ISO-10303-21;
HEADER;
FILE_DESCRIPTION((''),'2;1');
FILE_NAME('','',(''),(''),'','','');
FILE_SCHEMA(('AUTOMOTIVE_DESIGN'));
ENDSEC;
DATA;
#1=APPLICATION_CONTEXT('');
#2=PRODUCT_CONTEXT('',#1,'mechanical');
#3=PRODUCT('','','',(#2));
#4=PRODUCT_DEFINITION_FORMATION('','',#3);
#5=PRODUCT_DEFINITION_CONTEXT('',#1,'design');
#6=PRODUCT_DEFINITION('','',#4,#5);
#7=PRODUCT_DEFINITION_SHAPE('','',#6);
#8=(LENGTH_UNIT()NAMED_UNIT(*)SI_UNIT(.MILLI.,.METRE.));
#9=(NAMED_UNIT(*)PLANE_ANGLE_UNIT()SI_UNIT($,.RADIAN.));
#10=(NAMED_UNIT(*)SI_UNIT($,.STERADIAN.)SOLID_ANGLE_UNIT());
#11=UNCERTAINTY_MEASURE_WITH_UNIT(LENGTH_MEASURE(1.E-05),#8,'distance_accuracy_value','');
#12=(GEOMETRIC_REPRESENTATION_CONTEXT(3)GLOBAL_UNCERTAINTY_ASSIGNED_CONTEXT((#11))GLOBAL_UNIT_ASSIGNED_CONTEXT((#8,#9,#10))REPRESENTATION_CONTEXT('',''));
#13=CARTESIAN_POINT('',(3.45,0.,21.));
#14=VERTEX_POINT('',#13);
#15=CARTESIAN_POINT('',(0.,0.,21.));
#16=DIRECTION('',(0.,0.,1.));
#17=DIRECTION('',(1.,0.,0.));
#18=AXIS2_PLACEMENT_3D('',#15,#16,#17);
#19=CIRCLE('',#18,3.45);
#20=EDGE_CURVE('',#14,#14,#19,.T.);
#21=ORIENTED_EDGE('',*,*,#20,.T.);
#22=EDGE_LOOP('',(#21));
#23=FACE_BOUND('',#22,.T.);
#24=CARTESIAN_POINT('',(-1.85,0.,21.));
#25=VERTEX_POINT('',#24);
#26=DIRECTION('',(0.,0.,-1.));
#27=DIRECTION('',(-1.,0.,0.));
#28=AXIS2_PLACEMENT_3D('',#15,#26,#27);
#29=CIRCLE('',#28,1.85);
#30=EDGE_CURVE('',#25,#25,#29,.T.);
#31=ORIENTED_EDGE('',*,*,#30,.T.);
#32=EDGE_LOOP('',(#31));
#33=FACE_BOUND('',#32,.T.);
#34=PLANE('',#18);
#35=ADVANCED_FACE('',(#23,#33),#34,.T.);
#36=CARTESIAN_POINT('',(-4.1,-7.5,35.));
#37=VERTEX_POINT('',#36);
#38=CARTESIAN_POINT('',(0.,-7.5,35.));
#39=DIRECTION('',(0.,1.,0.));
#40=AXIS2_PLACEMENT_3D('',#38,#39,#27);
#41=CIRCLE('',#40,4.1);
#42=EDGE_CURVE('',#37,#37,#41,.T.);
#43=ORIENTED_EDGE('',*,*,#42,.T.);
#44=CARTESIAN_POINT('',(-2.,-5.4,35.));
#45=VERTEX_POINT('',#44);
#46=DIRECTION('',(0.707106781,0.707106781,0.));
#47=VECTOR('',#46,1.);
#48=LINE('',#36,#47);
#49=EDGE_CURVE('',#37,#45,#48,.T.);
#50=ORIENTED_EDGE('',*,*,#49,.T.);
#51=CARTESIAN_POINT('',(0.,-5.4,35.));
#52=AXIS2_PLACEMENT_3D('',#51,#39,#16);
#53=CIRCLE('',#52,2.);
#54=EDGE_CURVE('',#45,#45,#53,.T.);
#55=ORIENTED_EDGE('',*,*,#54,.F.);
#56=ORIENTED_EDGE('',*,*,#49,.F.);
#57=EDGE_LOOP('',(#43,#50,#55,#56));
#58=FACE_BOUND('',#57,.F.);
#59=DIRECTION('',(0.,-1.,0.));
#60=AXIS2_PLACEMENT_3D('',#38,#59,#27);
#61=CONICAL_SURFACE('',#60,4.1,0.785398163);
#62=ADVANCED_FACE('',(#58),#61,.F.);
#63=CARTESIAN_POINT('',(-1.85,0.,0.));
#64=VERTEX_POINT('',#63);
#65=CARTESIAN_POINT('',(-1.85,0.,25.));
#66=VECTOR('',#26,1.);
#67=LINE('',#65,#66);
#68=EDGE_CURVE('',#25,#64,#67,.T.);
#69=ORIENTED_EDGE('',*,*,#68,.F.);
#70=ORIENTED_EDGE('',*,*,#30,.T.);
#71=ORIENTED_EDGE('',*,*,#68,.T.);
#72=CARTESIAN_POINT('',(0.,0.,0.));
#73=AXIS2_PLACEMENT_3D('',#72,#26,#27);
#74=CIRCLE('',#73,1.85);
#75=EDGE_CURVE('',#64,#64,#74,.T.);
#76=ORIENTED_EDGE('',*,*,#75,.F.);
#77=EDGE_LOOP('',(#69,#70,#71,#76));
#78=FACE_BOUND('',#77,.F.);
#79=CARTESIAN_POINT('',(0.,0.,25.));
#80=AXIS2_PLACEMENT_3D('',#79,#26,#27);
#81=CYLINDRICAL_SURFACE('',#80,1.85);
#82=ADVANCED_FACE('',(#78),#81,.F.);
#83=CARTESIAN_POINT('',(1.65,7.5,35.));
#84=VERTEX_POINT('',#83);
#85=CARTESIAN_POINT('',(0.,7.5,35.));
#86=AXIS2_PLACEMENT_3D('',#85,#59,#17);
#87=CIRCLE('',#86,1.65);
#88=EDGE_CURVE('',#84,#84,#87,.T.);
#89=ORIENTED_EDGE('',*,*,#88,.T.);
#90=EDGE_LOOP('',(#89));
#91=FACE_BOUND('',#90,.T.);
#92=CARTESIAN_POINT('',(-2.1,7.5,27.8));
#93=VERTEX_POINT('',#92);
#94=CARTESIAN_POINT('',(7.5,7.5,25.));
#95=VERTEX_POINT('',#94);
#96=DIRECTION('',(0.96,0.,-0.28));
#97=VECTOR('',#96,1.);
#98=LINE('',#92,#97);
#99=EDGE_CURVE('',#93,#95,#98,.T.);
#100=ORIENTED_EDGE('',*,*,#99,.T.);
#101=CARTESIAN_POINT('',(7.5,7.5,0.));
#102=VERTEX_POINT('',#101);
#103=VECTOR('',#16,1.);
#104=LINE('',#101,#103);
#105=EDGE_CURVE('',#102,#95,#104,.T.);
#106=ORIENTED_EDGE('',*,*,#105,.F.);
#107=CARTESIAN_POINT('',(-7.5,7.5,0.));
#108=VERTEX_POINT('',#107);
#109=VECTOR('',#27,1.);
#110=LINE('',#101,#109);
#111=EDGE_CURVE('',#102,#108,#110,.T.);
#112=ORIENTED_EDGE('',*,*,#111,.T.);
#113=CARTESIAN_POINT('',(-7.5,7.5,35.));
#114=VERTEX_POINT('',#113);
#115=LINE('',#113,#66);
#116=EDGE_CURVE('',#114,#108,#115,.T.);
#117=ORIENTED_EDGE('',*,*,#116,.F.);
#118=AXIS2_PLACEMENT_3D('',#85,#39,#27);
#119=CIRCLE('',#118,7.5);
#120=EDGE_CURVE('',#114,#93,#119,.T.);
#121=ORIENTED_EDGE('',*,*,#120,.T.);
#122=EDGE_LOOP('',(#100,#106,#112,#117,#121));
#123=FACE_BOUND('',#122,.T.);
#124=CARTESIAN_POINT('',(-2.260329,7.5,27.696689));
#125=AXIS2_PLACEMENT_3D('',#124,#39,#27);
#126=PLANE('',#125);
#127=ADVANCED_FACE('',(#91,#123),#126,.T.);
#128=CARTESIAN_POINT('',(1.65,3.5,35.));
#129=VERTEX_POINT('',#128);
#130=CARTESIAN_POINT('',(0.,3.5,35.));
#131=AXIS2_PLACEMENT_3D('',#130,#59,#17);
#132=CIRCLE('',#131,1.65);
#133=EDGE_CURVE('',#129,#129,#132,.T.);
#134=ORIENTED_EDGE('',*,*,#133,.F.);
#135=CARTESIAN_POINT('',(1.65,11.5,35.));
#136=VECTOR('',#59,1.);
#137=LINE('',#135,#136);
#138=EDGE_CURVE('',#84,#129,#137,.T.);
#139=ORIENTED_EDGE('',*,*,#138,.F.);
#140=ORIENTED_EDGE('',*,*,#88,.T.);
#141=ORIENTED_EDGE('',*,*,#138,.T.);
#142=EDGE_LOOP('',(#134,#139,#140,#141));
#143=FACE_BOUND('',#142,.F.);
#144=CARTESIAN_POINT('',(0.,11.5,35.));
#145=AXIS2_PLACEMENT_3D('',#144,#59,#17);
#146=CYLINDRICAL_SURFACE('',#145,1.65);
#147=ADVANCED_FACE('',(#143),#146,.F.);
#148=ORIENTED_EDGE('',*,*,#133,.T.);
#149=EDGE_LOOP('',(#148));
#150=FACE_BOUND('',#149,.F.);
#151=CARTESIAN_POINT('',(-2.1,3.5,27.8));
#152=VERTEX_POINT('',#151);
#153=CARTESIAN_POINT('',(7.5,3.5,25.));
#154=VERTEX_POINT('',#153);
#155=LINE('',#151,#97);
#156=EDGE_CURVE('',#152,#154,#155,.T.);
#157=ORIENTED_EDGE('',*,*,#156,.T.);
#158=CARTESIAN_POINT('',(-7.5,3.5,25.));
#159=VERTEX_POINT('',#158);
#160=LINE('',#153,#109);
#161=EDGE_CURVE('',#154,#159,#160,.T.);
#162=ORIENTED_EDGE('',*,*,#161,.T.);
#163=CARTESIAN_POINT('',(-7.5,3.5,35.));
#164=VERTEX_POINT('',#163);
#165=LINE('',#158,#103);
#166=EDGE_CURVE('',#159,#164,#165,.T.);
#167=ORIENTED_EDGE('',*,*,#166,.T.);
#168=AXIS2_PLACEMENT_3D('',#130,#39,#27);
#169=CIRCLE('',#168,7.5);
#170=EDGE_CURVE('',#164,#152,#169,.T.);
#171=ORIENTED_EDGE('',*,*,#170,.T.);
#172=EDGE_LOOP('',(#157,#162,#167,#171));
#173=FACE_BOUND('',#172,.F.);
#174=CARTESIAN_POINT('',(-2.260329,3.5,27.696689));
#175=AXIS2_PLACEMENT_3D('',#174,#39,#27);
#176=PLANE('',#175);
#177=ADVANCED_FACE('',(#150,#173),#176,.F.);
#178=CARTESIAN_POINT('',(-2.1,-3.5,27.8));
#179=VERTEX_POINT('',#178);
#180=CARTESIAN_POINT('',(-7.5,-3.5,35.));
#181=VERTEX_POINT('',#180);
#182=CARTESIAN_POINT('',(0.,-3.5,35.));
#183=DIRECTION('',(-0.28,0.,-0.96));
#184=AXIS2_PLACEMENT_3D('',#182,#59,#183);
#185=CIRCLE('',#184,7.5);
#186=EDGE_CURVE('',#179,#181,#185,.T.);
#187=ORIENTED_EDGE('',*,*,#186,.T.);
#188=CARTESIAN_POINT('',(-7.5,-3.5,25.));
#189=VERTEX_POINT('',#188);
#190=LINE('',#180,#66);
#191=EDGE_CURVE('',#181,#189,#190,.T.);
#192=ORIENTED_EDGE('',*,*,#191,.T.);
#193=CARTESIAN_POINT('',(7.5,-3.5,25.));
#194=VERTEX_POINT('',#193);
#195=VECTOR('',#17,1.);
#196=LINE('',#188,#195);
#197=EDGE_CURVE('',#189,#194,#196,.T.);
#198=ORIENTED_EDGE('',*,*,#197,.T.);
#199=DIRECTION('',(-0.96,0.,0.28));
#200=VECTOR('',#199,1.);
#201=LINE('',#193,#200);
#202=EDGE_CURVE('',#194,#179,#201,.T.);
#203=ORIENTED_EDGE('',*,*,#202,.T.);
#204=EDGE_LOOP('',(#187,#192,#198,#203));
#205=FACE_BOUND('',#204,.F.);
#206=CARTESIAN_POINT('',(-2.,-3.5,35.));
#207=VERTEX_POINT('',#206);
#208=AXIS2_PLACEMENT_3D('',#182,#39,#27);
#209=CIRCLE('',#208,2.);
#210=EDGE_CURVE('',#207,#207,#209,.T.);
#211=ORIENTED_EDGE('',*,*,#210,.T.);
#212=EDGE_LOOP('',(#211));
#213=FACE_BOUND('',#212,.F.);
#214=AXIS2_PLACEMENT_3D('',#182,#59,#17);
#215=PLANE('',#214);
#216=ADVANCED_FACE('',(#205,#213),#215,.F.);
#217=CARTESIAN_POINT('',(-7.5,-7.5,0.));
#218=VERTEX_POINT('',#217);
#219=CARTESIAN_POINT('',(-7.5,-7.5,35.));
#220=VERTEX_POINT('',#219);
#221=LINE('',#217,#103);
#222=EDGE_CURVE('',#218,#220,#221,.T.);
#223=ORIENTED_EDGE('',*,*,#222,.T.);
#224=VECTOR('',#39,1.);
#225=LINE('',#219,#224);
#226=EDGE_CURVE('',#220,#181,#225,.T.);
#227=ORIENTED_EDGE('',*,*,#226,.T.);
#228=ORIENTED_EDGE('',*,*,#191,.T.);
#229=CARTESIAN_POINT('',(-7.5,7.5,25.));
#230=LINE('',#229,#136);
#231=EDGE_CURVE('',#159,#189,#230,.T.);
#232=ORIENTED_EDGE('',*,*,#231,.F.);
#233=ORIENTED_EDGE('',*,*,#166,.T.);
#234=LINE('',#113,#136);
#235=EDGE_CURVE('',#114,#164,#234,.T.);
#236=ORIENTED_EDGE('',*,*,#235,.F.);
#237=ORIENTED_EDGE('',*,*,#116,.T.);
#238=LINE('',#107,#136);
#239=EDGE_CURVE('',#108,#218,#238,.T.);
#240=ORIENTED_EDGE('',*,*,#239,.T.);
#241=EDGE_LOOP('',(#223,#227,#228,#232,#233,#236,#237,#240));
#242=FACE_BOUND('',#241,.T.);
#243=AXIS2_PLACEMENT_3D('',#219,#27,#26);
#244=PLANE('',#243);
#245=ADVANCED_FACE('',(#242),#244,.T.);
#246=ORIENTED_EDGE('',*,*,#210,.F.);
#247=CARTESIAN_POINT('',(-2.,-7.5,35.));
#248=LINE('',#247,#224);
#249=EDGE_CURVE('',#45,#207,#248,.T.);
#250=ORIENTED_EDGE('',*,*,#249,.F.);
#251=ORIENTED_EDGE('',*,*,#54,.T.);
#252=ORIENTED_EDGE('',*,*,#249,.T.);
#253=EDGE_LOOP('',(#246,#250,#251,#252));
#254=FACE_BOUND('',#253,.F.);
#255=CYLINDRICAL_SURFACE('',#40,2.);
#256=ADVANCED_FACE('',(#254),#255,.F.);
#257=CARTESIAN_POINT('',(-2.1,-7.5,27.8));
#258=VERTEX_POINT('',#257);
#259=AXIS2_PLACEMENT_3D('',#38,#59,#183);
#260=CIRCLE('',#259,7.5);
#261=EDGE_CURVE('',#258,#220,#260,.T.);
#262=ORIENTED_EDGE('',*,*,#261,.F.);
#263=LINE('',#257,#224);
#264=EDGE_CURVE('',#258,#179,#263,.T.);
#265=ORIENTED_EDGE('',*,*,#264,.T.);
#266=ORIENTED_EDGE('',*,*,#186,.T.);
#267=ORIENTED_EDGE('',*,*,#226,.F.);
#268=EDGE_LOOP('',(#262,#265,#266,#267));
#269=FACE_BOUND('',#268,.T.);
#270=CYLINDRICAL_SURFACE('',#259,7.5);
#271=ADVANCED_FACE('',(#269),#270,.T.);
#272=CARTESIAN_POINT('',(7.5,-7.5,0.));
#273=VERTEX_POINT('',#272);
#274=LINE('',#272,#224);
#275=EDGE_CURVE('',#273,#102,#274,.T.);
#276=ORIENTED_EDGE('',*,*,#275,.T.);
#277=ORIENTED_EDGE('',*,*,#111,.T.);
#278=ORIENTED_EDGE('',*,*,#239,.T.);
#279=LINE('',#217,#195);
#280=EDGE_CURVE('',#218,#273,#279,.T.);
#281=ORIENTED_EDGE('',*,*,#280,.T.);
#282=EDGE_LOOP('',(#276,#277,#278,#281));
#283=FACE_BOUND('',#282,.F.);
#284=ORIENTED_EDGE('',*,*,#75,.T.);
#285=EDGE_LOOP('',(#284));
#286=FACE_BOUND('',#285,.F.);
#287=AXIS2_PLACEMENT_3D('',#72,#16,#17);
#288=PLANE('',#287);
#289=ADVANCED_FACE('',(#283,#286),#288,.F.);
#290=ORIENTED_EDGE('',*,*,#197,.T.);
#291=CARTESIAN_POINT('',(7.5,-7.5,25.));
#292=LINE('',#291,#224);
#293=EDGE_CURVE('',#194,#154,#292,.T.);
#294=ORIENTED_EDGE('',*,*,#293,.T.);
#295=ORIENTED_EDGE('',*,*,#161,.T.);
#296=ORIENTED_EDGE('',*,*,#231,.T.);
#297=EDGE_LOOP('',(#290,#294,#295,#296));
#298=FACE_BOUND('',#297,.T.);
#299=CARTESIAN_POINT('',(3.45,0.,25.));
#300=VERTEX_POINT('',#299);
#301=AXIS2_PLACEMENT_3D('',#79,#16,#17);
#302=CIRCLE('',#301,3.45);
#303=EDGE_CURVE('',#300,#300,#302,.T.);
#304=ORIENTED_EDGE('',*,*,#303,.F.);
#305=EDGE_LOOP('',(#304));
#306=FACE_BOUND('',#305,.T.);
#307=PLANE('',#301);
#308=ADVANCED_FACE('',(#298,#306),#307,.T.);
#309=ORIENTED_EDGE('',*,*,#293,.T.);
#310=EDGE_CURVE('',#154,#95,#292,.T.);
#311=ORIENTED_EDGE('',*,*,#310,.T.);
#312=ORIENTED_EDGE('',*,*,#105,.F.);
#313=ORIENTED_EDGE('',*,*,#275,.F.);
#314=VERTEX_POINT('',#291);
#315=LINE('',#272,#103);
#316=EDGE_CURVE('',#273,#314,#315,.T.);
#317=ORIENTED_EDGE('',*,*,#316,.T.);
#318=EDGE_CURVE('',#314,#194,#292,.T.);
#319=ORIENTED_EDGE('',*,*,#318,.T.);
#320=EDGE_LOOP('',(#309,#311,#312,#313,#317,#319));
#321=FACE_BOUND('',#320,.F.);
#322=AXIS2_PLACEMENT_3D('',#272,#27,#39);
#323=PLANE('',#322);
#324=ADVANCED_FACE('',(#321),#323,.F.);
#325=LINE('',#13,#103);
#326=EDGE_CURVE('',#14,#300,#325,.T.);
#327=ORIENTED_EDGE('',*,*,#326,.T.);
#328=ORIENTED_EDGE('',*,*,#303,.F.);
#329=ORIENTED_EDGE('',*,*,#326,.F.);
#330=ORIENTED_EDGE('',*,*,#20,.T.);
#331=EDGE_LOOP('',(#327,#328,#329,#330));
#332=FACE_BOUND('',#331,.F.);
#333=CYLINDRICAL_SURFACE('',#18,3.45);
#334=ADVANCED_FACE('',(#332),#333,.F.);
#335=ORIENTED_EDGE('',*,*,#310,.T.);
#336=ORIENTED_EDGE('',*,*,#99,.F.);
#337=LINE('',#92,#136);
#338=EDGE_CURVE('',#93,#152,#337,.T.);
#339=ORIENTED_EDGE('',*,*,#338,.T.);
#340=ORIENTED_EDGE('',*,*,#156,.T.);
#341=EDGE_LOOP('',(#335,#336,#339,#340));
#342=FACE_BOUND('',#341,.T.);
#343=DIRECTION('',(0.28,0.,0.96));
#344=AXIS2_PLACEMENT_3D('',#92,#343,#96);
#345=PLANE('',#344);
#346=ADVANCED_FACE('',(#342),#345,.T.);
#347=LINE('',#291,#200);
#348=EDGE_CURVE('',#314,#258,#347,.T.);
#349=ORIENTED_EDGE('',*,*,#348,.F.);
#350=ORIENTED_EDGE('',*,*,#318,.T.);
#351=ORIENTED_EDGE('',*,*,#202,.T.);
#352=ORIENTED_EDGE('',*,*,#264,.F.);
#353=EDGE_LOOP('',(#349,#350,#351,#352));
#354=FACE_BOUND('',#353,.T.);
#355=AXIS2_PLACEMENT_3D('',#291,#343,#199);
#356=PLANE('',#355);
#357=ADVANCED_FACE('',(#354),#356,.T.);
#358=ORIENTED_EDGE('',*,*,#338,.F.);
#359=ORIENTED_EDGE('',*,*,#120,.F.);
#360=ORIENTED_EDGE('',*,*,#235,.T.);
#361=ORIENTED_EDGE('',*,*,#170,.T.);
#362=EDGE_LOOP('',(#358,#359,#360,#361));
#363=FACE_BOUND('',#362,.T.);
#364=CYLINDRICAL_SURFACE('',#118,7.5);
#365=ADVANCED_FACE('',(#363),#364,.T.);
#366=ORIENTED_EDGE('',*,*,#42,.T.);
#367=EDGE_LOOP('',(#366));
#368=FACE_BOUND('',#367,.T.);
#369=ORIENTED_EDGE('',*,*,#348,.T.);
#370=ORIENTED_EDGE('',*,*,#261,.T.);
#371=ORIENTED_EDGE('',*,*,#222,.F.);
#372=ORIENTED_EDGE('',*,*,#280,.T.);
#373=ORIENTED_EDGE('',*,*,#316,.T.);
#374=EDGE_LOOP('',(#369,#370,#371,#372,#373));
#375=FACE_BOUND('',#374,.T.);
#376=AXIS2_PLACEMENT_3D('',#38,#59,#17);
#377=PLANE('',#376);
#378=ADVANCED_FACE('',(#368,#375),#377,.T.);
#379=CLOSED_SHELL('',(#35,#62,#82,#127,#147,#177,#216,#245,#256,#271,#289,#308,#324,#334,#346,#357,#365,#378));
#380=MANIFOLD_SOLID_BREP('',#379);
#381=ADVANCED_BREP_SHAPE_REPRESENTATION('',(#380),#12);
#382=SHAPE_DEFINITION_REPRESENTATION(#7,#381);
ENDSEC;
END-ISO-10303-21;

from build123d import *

# Parameters (mm, degrees)
F1_DEPTH       = 25
F3_D           = 3.7
F3_CBORE_D     = 6.9
F3_CBORE_DEPTH = 4
F5_DEPTH       = 4
F7_DEPTH       = 4
F9_D           = 4
F9_DEPTH       = 4
F9_CSINK_D     = 8.2
F9_CSINK_ANGLE = 90
F11_D          = 3.3
F11_DEPTH      = 4


with BuildPart() as f1:
    # F0 (on Top) → F1 (new body)
    with BuildSketch(Plane.XY):
        Polygon((7.5, -7.5), (7.5, 0), (7.5, 7.5), (-7.5, 7.5), (-7.5, -7.5), align=None)
    extrude(amount=F1_DEPTH)

    # F3 (through all)
    with Locations(Plane.XY.offset(25)):
        with Locations((0, 0)):
            CounterBoreHole(F3_D / 2, F3_CBORE_D / 2, F3_CBORE_DEPTH)

    # F4 (on face) → F5 (join)
    with BuildSketch(Plane(origin=(0, 7.5, 0), x_dir=(-1, 0, 0), z_dir=(0, 1, 0))):
        with BuildLine():
            Line((-7.5, 25), (7.5, 25))
            Line((7.5, 25), (7.5, 35))
            ThreePointArc((7.5, 35), (6, 30.5), (2.1, 27.8))
            Line((2.1, 27.8), (-7.5, 25))
        make_face()
        with BuildLine():
            ThreePointArc((2.1, 27.8), (6, 30.5), (7.5, 35))
            ThreePointArc((7.5, 35), (-6, 39.5), (2.1, 27.8))
        make_face()
    extrude(amount=-F5_DEPTH)

    # F6 (on face) → F7 (join)
    with BuildSketch(Plane.XZ.offset(7.5)):
        with BuildLine():
            ThreePointArc((7.5, 35), (0, 42.5), (-7.5, 35))
            ThreePointArc((-7.5, 35), (-6, 30.5), (-2.1, 27.8))
            ThreePointArc((-2.1, 27.8), (4.5, 29), (7.5, 35))
        make_face()
        with BuildLine():
            Line((-7.5, 35), (-7.5, 25))
            Line((-7.5, 25), (7.5, 25))
            Line((7.5, 25), (-2.1, 27.8))
            ThreePointArc((-2.1, 27.8), (-6, 30.5), (-7.5, 35))
        make_face()
    extrude(amount=-F7_DEPTH)

    # F9
    with Locations(Plane.XZ.offset(7.5)):
        with Locations((0, 35)):
            CounterSinkHole(F9_D / 2, F9_CSINK_D / 2, depth=F9_DEPTH, counter_sink_angle=F9_CSINK_ANGLE)

    # F11
    with Locations(Plane(origin=(0, 7.5, 0), x_dir=(-1, 0, 0), z_dir=(0, 1, 0))):
        with Locations((0, 35)):
            Hole(F11_D / 2, depth=F11_DEPTH)


solid = f1.part
